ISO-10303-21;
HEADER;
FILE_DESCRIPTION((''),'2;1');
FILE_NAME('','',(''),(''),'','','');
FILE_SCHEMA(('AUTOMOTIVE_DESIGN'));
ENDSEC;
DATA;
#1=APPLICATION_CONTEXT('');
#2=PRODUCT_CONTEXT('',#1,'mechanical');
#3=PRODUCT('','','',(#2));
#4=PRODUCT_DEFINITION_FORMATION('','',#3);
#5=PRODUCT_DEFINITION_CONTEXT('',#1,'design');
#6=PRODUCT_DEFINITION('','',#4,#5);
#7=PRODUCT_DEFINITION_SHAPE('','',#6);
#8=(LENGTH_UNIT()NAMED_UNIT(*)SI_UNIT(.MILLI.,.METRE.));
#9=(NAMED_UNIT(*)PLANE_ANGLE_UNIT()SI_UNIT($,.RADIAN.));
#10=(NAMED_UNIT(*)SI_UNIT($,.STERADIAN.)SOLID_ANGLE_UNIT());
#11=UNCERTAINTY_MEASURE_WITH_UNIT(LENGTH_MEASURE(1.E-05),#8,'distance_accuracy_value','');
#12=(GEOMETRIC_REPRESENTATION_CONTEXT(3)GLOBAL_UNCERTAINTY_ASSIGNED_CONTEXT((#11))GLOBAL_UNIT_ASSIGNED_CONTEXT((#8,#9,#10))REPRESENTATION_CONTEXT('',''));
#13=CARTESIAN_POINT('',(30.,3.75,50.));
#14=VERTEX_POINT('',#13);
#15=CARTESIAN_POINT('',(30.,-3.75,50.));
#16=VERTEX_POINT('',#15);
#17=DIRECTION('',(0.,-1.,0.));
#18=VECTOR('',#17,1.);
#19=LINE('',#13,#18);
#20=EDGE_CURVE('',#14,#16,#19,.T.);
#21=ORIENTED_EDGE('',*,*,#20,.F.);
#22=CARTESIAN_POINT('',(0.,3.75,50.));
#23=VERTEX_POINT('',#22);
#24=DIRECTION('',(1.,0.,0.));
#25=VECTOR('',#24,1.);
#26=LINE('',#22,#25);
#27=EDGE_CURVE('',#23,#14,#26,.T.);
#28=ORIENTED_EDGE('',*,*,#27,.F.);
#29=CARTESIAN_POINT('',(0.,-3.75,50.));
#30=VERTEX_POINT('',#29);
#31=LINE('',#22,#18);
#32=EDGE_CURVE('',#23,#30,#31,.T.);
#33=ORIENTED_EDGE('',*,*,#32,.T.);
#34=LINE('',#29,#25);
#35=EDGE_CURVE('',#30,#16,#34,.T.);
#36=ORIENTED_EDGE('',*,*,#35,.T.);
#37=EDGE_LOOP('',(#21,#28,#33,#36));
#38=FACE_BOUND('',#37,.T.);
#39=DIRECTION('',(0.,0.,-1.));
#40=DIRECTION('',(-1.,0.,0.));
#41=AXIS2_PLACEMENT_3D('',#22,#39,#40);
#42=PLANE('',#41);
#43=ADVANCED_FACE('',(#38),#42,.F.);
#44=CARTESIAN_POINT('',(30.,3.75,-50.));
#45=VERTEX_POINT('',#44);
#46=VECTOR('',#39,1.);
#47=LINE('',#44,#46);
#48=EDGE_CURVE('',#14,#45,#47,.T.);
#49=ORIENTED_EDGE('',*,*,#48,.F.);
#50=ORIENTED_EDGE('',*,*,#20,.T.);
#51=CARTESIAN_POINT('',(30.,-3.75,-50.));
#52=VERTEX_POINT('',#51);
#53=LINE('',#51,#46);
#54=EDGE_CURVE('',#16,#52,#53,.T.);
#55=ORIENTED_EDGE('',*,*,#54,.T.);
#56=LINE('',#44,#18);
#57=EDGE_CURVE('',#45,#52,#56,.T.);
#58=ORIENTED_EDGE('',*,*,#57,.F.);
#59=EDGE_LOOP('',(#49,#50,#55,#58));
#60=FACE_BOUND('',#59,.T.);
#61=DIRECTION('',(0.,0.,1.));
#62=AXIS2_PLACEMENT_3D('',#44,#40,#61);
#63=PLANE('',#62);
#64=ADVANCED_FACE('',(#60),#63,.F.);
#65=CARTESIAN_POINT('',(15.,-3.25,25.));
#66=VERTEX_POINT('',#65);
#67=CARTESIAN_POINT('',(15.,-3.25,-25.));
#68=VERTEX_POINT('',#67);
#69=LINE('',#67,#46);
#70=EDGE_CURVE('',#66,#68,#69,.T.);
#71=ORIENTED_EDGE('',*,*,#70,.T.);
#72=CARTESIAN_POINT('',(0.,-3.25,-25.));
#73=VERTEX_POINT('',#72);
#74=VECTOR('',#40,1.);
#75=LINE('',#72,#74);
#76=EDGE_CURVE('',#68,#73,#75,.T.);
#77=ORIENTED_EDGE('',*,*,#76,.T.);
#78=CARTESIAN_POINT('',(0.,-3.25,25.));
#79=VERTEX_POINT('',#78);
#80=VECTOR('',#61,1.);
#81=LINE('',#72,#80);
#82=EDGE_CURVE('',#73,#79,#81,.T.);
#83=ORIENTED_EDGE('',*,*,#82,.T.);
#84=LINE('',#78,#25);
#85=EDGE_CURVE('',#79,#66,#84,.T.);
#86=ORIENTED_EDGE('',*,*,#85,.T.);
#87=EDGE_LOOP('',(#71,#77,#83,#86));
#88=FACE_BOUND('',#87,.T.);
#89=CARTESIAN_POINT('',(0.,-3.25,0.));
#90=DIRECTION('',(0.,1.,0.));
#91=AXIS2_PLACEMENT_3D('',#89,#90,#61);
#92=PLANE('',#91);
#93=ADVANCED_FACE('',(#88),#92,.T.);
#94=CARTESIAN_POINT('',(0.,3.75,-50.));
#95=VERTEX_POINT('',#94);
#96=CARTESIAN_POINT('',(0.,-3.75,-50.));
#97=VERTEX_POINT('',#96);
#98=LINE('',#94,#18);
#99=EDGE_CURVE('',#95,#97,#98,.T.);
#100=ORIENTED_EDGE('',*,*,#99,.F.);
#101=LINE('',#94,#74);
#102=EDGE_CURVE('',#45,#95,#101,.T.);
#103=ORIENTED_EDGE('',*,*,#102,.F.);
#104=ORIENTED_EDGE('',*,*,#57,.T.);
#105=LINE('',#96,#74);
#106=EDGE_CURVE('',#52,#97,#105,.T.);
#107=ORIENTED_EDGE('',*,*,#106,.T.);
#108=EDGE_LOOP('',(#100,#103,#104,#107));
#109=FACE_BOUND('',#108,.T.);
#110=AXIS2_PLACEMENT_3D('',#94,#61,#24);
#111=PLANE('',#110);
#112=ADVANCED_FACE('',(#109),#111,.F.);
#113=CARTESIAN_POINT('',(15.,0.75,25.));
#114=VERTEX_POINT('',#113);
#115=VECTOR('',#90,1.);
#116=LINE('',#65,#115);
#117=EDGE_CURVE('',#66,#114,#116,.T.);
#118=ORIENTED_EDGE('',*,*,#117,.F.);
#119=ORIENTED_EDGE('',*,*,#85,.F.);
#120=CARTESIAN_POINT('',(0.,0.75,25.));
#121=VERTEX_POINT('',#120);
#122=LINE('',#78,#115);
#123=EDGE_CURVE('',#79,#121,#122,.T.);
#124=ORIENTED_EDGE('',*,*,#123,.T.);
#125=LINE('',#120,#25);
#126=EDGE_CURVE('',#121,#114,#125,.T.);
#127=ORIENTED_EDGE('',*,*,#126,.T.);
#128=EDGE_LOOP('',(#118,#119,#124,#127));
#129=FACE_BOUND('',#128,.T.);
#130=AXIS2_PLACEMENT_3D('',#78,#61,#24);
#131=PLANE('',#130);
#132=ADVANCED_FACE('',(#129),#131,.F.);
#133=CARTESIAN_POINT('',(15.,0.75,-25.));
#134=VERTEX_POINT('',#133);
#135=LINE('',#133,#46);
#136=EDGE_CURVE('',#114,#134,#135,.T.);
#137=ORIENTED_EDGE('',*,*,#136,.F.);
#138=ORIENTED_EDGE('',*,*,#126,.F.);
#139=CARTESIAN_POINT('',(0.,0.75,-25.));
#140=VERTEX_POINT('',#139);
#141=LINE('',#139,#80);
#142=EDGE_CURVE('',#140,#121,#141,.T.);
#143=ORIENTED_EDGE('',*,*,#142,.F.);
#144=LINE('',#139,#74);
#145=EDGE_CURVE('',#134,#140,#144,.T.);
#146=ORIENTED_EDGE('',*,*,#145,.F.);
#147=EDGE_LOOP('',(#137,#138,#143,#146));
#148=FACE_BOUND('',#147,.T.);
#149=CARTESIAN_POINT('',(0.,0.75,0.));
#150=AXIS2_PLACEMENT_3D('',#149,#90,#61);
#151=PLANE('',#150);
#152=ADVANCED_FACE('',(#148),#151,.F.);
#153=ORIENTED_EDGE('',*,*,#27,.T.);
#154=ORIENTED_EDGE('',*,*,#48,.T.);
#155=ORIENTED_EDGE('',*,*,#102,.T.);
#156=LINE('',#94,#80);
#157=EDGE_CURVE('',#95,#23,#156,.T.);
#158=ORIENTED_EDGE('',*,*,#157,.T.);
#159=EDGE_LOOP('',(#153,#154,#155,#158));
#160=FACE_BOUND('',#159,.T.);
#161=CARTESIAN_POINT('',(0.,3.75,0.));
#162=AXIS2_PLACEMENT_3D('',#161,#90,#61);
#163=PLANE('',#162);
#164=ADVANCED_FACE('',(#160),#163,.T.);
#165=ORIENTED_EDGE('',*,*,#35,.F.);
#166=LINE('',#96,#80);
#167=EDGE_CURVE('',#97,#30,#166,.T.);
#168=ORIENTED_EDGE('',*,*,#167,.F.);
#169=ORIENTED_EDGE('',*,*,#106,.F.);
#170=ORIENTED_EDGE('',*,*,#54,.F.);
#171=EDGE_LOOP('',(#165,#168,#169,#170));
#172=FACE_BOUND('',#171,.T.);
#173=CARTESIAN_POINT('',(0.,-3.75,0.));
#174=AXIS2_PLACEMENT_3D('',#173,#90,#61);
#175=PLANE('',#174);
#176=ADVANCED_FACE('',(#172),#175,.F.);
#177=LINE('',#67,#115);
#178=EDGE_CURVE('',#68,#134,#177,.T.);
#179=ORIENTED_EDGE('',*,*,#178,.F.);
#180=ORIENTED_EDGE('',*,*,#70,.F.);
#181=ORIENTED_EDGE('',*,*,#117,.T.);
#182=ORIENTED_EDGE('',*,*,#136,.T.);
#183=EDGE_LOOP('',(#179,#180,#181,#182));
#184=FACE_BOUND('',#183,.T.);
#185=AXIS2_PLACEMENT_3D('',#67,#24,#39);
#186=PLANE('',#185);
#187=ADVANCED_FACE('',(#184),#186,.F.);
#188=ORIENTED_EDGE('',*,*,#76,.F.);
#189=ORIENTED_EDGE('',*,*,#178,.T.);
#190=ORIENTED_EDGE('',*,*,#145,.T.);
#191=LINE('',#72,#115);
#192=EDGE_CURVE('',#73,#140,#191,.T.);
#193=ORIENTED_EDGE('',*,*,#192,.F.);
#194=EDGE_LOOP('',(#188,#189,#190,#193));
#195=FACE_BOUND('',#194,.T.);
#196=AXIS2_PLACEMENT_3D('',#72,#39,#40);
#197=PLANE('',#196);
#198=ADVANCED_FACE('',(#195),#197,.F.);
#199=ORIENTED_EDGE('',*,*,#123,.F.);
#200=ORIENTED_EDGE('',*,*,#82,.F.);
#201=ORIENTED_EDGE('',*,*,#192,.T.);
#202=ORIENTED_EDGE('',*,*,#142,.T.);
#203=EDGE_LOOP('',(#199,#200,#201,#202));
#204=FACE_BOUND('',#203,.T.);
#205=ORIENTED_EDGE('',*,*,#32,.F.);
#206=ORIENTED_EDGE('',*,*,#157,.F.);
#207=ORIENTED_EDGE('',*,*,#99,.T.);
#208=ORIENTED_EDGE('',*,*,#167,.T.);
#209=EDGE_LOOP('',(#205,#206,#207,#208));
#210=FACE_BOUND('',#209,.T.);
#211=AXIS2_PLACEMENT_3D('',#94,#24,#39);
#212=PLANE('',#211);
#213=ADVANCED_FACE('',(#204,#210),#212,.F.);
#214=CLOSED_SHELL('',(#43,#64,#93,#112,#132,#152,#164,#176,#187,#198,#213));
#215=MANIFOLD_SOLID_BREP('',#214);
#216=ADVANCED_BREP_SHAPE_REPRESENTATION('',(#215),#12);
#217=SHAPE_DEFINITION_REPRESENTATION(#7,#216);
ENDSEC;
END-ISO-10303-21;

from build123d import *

# Parameters (mm, degrees)
SKETCH1_W           = 30
SKETCH1_H           = 100
BOSS_EXTRUDE1_DEPTH = 3.75
CUT_EXTRUDE1_START  = -3
SKETCH2_W           = 15
SKETCH2_H           = 50
CUT_EXTRUDE1_DEPTH  = 4


with BuildPart() as part:
    # Sketch1 → Boss-Extrude1 (new, symmetric)
    with BuildSketch(Plane(origin=(0, 0, 0), x_dir=(1, 0, 0), z_dir=(0, 1, 0))):
        with Locations((15, 0)):
            Rectangle(SKETCH1_W, SKETCH1_H)
    extrude(amount=BOSS_EXTRUDE1_DEPTH, both=True)

    # Sketch2 → Cut-Extrude1 (cut)
    with BuildSketch(Plane(origin=(0, 3.75, 0), x_dir=(1, 0, 0), z_dir=(0, 1, 0)).offset(CUT_EXTRUDE1_START)):
        with Locations((7.5, 0)):
            Rectangle(SKETCH2_W, SKETCH2_H)
    extrude(amount=-CUT_EXTRUDE1_DEPTH, mode=Mode.SUBTRACT)


solid = part.part
